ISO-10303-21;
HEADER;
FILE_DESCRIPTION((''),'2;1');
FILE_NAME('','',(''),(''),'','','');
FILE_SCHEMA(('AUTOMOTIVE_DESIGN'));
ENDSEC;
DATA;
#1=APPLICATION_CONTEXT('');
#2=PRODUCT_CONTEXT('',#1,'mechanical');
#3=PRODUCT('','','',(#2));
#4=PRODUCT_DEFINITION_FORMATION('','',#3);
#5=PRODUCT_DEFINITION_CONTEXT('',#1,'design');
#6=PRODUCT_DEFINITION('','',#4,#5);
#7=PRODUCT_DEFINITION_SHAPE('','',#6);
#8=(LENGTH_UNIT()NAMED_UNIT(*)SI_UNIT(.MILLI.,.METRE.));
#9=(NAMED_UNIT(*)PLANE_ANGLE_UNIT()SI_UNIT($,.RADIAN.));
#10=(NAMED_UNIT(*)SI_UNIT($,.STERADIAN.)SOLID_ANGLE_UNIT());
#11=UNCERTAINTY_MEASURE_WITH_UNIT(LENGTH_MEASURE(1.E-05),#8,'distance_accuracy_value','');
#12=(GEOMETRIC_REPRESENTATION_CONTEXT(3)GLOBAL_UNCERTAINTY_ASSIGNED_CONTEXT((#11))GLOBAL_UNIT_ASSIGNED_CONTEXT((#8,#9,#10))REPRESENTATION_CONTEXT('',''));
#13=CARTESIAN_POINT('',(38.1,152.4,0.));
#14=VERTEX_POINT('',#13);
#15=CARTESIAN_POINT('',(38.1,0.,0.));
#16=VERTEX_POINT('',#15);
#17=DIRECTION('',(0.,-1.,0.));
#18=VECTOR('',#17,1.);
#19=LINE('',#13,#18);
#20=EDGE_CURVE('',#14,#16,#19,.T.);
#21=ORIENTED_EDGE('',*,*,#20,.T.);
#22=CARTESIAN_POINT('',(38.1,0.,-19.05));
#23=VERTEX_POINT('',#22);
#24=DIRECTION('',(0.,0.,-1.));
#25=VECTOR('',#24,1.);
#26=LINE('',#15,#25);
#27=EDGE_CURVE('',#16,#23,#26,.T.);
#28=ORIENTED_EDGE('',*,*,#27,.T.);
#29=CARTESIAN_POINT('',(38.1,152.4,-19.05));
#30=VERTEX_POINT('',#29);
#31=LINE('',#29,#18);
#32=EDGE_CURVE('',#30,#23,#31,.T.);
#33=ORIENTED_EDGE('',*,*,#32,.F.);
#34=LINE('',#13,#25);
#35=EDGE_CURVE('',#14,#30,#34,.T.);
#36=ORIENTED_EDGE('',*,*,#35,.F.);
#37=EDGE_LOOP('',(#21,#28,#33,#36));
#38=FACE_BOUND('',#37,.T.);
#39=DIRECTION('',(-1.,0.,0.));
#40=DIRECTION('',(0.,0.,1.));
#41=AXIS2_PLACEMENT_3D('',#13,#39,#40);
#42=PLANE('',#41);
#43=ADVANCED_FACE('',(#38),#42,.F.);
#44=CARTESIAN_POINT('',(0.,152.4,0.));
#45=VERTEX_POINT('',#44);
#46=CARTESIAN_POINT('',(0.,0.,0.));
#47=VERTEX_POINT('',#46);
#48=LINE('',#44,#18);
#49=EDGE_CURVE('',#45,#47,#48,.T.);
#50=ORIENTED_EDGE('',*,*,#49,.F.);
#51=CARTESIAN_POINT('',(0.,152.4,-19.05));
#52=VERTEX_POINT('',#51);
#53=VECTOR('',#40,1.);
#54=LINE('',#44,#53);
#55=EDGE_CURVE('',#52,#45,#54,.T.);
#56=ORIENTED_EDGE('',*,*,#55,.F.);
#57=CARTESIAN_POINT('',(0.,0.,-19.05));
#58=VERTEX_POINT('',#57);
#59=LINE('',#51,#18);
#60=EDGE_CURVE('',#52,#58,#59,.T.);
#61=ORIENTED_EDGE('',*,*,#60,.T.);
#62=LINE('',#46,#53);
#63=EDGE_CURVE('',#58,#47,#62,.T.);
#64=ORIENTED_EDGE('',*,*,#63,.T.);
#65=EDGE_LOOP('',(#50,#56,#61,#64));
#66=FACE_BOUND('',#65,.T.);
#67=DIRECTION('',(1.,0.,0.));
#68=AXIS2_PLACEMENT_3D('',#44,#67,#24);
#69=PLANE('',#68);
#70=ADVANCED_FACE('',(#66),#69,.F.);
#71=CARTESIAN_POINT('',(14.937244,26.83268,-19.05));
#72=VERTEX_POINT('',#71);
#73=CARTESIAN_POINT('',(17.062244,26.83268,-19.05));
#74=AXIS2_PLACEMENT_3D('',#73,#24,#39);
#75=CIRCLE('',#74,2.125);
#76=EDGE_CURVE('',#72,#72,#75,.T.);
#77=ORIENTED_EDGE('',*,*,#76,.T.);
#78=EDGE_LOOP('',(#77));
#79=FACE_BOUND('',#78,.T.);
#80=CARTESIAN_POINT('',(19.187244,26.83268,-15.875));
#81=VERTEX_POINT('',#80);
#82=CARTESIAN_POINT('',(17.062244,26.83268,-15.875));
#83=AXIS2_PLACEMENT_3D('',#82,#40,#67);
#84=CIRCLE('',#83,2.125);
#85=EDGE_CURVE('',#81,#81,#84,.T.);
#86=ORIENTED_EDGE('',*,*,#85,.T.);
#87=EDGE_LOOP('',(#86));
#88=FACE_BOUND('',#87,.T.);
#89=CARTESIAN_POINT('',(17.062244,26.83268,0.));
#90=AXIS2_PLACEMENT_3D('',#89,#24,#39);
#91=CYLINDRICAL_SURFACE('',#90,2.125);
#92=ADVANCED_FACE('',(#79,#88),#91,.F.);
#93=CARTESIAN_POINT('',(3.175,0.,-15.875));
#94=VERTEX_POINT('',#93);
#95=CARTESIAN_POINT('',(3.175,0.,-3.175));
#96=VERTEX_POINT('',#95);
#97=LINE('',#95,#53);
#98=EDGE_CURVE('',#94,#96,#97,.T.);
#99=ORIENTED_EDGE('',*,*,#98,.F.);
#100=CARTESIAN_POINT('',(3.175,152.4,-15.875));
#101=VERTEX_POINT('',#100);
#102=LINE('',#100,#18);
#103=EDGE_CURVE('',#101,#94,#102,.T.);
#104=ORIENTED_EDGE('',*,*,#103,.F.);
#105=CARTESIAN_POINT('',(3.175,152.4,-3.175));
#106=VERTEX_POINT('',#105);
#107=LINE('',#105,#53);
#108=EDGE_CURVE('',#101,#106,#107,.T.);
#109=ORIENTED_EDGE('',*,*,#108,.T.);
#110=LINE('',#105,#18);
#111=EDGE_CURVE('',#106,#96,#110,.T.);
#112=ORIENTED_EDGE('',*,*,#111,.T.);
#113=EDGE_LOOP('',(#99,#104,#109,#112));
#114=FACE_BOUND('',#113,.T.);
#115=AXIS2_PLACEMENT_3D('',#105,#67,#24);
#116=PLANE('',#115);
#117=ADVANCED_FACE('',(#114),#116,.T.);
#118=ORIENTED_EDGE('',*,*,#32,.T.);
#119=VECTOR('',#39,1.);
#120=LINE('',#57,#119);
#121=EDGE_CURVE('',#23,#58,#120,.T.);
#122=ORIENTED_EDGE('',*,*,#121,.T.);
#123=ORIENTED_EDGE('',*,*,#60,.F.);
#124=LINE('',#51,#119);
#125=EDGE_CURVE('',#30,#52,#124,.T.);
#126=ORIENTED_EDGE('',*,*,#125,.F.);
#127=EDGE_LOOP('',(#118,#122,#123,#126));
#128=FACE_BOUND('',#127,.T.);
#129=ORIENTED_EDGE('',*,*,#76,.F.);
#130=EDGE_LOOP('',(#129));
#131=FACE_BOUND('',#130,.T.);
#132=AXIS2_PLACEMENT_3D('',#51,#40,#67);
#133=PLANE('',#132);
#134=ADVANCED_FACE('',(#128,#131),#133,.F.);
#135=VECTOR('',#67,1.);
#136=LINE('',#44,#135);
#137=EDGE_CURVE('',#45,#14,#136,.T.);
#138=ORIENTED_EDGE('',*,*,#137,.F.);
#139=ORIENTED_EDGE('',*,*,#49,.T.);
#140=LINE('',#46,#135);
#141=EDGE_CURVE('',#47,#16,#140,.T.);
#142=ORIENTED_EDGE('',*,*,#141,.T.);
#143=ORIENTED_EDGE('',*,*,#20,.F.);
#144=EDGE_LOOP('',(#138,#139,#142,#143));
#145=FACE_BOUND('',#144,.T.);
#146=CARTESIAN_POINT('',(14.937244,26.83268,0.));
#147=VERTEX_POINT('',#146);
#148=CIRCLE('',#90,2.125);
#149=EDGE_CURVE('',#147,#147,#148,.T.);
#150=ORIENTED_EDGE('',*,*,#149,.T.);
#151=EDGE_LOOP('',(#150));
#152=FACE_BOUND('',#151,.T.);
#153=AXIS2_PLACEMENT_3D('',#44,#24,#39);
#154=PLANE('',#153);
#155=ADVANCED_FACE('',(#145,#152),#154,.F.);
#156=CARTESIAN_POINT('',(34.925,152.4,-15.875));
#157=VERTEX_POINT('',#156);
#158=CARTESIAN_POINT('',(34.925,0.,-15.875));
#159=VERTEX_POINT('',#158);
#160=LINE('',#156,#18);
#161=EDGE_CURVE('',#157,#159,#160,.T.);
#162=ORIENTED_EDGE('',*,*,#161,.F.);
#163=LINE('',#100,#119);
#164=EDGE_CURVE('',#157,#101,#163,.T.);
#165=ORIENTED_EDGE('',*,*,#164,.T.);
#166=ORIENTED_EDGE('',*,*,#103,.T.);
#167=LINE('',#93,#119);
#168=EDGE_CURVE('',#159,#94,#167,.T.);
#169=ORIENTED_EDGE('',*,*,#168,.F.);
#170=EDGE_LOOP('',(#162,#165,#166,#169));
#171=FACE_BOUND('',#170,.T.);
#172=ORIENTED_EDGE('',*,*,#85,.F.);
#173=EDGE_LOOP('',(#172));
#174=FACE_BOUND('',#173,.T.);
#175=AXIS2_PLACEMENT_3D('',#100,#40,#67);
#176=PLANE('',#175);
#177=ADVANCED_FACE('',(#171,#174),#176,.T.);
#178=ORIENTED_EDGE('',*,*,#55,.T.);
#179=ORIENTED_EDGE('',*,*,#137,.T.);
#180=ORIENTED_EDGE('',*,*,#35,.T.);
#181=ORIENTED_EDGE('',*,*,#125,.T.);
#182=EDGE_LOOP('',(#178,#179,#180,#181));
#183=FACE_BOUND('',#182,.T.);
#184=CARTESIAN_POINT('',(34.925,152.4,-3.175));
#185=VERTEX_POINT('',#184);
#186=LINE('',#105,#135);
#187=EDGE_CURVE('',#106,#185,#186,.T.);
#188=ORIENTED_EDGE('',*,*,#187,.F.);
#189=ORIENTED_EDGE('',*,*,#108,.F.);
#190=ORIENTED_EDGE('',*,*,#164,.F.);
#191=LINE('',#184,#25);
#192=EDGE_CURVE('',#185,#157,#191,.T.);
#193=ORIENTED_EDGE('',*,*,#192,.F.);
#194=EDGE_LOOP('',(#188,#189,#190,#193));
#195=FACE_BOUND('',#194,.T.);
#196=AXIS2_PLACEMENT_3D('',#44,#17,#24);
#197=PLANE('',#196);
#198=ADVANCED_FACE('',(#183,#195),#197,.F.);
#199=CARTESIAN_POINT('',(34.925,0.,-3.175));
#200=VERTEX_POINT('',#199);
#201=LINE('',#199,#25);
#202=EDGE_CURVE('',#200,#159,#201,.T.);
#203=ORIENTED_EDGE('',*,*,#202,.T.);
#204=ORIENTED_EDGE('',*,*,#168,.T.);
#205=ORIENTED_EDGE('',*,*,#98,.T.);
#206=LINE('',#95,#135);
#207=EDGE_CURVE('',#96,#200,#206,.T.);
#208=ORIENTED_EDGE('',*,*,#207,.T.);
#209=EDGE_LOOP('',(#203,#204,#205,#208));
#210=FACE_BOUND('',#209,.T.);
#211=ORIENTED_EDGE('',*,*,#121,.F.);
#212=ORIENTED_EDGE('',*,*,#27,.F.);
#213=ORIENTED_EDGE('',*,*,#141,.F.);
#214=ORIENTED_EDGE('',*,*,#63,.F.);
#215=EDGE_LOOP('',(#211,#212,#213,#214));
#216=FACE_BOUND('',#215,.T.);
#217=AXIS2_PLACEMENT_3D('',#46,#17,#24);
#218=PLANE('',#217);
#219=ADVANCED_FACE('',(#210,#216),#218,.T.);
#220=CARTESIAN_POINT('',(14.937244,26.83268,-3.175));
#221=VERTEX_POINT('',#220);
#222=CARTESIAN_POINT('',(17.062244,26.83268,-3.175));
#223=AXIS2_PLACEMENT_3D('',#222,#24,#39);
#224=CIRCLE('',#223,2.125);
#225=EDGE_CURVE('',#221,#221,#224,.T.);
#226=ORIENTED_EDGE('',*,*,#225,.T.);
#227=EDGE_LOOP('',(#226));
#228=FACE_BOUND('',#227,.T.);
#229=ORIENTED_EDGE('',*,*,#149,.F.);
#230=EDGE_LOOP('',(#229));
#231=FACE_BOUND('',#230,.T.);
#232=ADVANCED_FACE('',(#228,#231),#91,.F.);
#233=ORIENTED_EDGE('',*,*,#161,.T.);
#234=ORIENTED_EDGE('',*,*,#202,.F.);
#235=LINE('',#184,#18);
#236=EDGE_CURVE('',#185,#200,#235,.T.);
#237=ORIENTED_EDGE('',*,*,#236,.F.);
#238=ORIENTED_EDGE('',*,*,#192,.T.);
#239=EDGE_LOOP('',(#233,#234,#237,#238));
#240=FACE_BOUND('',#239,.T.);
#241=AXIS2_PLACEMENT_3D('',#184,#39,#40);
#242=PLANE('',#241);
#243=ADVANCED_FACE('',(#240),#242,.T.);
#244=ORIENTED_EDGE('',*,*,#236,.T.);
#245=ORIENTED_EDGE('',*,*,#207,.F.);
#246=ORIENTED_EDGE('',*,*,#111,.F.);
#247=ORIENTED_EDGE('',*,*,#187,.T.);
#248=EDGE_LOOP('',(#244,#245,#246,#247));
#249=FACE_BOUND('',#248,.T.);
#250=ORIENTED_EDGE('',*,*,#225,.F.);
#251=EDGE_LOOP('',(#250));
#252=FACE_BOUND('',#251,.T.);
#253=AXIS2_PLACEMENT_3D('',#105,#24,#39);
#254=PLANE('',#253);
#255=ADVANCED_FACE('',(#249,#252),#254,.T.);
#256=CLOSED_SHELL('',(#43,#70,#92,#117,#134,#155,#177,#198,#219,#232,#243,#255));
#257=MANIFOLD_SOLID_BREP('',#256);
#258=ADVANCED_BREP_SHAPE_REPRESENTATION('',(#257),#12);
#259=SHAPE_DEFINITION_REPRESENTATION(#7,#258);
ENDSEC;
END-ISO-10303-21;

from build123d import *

# Parameters (mm, degrees)
SKETCH1_W           = 38.1
SKETCH1_H           = 19.05
SKETCH1_W_2         = 31.75
SKETCH1_H_2         = 12.7
BOSS_EXTRUDE1_DEPTH = 152.4
SKETCH2_R           = 2.125
CUT_EXTRUDE1_DEPTH  = 20.05


with BuildPart() as part:
    # Sketch1 → Boss-Extrude1 (new body)
    with BuildSketch(Plane(origin=(0, 0, 0), x_dir=(1, 0, 0), z_dir=(0, 1, 0))):
        with Locations((19.05, 9.525)):
            Rectangle(SKETCH1_W, SKETCH1_H)
        with Locations((19.05, 9.525)):
            Rectangle(SKETCH1_W_2, SKETCH1_H_2, mode=Mode.SUBTRACT)
    extrude(amount=BOSS_EXTRUDE1_DEPTH)

    # Sketch2 → Cut-Extrude1 (cut, through all)
    with BuildSketch(Plane(origin=(0, 0, -19.05), x_dir=(-1, 0, 0), z_dir=(0, 0, -1))):
        with Locations((-17.062243871, 26.832679639)):
            Circle(SKETCH2_R)
    extrude(amount=-CUT_EXTRUDE1_DEPTH, mode=Mode.SUBTRACT)


solid = part.part
